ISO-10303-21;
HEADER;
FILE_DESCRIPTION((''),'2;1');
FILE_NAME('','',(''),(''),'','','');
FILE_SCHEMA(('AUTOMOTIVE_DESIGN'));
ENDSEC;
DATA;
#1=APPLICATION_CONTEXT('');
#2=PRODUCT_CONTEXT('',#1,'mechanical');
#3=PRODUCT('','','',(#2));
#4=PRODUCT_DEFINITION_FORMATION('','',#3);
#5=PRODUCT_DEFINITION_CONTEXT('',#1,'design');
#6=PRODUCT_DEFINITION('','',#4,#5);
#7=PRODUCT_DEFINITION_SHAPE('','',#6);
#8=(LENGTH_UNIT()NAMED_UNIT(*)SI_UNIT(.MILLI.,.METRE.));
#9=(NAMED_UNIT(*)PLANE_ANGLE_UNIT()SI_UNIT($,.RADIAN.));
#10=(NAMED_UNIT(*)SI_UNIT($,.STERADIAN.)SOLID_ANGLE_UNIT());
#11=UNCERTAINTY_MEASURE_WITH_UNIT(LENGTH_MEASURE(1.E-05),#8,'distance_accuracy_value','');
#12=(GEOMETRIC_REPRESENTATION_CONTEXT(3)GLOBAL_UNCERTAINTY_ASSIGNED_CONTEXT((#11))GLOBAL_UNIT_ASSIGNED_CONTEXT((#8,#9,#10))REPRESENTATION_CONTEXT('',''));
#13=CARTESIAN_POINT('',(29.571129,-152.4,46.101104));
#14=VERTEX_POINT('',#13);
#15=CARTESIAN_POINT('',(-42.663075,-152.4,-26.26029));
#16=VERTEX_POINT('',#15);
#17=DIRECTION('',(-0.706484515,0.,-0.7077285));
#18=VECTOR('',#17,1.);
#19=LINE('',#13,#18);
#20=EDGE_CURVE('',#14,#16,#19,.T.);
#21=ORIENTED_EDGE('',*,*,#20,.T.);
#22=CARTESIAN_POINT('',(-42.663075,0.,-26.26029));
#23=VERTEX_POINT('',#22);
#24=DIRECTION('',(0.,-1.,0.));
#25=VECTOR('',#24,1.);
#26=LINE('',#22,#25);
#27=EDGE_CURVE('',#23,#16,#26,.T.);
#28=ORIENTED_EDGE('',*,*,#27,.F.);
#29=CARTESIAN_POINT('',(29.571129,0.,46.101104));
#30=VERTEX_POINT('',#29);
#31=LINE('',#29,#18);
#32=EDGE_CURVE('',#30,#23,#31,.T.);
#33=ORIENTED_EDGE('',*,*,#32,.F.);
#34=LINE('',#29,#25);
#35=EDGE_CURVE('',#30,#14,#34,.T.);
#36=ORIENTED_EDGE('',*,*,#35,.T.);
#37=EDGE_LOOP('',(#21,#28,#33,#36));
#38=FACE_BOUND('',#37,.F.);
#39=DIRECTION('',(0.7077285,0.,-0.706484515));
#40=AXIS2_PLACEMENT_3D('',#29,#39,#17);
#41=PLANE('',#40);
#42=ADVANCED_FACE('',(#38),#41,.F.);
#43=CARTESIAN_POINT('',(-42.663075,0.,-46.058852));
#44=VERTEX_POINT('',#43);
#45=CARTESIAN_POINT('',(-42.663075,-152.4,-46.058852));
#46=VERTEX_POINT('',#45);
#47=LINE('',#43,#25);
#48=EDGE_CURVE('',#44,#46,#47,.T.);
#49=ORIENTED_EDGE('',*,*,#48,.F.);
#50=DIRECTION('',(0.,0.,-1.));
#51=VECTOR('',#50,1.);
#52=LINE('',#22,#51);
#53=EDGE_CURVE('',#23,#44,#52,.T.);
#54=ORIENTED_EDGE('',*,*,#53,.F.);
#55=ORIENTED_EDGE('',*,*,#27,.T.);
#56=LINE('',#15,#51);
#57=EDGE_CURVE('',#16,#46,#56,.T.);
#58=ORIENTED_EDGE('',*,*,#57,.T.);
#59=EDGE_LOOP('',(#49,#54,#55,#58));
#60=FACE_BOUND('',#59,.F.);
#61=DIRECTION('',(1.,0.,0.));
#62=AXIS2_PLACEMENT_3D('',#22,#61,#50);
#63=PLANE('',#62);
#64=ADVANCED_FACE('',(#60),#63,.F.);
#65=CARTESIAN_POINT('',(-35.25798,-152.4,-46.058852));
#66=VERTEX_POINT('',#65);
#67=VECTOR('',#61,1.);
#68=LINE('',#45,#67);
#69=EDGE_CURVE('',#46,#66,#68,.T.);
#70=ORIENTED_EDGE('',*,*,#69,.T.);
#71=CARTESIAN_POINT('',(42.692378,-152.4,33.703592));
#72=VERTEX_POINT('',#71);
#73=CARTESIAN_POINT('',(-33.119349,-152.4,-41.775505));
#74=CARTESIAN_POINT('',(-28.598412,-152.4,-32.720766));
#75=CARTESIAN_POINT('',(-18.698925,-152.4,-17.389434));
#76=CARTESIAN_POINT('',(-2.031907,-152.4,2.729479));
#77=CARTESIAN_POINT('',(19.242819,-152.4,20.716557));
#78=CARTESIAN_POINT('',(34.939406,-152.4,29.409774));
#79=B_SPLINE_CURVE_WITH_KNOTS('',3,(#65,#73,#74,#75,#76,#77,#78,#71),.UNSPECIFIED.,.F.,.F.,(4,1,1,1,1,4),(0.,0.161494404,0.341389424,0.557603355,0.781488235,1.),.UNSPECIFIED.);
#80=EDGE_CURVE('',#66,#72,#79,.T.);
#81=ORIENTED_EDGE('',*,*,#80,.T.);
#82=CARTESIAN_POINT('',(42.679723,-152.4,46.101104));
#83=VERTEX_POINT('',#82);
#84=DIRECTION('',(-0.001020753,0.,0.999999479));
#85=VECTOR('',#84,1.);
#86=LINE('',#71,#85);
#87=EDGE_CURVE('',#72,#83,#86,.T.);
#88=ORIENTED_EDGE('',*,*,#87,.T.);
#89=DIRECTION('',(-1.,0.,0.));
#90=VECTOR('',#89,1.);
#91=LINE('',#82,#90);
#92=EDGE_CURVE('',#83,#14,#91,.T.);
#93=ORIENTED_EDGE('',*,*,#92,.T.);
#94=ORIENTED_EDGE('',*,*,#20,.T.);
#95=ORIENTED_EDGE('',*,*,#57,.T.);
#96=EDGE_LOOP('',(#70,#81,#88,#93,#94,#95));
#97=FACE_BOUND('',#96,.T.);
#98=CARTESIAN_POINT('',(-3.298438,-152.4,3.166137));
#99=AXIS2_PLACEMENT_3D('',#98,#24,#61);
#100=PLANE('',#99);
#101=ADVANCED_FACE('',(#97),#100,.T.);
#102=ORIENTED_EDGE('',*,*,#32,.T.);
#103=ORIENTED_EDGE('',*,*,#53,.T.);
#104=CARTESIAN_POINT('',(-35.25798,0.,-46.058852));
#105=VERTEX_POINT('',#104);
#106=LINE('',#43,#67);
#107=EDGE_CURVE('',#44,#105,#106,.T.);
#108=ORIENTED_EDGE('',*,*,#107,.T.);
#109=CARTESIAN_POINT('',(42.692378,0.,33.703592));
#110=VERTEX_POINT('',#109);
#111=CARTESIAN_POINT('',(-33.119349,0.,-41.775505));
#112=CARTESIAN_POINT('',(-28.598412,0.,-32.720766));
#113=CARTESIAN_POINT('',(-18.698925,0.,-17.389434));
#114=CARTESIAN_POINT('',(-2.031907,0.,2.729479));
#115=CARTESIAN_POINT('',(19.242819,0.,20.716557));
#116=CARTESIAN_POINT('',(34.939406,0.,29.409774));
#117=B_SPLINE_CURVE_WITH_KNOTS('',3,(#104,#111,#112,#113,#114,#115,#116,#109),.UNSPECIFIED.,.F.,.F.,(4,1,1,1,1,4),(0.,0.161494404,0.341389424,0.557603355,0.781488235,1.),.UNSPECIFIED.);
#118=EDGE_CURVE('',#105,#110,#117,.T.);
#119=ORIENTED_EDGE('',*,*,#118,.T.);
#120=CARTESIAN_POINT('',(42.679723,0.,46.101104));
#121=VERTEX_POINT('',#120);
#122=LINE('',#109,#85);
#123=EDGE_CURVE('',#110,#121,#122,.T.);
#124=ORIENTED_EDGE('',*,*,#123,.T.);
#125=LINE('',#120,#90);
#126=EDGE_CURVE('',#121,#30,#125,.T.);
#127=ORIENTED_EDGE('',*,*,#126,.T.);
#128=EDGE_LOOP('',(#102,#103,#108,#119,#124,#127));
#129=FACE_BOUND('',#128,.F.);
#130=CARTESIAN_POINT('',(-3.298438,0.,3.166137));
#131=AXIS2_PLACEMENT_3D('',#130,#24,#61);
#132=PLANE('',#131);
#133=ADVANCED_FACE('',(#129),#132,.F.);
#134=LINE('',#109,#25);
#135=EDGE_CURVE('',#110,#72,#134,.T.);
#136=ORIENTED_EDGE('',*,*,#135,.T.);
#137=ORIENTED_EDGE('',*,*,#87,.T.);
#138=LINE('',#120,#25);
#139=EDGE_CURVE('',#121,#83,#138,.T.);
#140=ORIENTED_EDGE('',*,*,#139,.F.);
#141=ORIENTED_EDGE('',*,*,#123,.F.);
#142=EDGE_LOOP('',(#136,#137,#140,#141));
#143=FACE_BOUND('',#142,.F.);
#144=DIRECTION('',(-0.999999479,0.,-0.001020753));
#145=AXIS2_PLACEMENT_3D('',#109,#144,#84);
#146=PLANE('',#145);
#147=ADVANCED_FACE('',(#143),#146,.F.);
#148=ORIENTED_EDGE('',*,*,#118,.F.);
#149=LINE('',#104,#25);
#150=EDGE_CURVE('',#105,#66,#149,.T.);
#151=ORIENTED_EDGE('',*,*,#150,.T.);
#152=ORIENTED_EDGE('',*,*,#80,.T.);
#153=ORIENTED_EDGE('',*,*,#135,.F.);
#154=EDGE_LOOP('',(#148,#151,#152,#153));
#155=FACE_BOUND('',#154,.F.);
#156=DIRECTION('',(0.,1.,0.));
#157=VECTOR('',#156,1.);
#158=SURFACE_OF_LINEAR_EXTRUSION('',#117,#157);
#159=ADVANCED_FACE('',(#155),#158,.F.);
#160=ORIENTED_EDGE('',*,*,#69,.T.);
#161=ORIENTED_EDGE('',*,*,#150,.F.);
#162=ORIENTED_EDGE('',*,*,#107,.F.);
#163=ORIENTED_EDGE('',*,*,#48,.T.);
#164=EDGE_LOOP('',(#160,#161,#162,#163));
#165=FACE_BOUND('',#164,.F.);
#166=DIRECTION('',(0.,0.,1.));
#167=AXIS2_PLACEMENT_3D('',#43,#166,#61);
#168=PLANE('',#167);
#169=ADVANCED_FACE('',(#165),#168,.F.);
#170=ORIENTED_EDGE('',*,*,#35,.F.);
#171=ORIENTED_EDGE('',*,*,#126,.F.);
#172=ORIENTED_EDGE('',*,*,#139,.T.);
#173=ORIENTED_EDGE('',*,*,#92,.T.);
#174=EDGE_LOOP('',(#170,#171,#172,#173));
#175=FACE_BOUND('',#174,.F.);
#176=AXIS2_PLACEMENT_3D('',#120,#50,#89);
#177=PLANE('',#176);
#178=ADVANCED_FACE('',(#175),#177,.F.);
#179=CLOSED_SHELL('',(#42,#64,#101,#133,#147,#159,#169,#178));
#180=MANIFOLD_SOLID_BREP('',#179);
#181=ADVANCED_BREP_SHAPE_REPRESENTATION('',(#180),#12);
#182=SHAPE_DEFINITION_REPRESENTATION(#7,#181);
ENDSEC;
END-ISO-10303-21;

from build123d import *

# Parameters (mm, degrees)
F1_DEPTH = 152.4


with BuildPart() as f1:
    # F0 (on Front) → F1 (new body)
    with BuildSketch(Plane.XZ):
        with BuildLine():
            Line((-42.6630750299, -46.0588522255), (-35.2579802275, -46.0588522255))
            add(Edge.make_bspline(
                [(-35.2579802275, -46.0588522255), (-33.1193489784, -41.7755046879), (-28.5984115831, -32.7207664913), (-18.6989248244, -17.3894344615), (-2.0319073966, 2.7294791603), (19.242819298, 20.7165567502), (34.9394059974, 29.4097744277), (42.6923781633, 33.7035916746)],
                knots=[0, 0, 0, 0, 0.161494404, 0.3413894239, 0.5576033554, 0.7814882345, 1, 1, 1, 1], degree=3))
            Line((42.6923781633, 33.7035916746), (42.6797233522, 46.1011044681))
            Line((42.6797233522, 46.1011044681), (29.5711290091, 46.1011044681))
            Line((29.5711290091, 46.1011044681), (-42.6630750299, -26.2602902949))
            Line((-42.6630750299, -26.2602902949), (-42.6630750299, -46.0588522255))
        make_face()
    extrude(amount=F1_DEPTH)


solid = f1.part
